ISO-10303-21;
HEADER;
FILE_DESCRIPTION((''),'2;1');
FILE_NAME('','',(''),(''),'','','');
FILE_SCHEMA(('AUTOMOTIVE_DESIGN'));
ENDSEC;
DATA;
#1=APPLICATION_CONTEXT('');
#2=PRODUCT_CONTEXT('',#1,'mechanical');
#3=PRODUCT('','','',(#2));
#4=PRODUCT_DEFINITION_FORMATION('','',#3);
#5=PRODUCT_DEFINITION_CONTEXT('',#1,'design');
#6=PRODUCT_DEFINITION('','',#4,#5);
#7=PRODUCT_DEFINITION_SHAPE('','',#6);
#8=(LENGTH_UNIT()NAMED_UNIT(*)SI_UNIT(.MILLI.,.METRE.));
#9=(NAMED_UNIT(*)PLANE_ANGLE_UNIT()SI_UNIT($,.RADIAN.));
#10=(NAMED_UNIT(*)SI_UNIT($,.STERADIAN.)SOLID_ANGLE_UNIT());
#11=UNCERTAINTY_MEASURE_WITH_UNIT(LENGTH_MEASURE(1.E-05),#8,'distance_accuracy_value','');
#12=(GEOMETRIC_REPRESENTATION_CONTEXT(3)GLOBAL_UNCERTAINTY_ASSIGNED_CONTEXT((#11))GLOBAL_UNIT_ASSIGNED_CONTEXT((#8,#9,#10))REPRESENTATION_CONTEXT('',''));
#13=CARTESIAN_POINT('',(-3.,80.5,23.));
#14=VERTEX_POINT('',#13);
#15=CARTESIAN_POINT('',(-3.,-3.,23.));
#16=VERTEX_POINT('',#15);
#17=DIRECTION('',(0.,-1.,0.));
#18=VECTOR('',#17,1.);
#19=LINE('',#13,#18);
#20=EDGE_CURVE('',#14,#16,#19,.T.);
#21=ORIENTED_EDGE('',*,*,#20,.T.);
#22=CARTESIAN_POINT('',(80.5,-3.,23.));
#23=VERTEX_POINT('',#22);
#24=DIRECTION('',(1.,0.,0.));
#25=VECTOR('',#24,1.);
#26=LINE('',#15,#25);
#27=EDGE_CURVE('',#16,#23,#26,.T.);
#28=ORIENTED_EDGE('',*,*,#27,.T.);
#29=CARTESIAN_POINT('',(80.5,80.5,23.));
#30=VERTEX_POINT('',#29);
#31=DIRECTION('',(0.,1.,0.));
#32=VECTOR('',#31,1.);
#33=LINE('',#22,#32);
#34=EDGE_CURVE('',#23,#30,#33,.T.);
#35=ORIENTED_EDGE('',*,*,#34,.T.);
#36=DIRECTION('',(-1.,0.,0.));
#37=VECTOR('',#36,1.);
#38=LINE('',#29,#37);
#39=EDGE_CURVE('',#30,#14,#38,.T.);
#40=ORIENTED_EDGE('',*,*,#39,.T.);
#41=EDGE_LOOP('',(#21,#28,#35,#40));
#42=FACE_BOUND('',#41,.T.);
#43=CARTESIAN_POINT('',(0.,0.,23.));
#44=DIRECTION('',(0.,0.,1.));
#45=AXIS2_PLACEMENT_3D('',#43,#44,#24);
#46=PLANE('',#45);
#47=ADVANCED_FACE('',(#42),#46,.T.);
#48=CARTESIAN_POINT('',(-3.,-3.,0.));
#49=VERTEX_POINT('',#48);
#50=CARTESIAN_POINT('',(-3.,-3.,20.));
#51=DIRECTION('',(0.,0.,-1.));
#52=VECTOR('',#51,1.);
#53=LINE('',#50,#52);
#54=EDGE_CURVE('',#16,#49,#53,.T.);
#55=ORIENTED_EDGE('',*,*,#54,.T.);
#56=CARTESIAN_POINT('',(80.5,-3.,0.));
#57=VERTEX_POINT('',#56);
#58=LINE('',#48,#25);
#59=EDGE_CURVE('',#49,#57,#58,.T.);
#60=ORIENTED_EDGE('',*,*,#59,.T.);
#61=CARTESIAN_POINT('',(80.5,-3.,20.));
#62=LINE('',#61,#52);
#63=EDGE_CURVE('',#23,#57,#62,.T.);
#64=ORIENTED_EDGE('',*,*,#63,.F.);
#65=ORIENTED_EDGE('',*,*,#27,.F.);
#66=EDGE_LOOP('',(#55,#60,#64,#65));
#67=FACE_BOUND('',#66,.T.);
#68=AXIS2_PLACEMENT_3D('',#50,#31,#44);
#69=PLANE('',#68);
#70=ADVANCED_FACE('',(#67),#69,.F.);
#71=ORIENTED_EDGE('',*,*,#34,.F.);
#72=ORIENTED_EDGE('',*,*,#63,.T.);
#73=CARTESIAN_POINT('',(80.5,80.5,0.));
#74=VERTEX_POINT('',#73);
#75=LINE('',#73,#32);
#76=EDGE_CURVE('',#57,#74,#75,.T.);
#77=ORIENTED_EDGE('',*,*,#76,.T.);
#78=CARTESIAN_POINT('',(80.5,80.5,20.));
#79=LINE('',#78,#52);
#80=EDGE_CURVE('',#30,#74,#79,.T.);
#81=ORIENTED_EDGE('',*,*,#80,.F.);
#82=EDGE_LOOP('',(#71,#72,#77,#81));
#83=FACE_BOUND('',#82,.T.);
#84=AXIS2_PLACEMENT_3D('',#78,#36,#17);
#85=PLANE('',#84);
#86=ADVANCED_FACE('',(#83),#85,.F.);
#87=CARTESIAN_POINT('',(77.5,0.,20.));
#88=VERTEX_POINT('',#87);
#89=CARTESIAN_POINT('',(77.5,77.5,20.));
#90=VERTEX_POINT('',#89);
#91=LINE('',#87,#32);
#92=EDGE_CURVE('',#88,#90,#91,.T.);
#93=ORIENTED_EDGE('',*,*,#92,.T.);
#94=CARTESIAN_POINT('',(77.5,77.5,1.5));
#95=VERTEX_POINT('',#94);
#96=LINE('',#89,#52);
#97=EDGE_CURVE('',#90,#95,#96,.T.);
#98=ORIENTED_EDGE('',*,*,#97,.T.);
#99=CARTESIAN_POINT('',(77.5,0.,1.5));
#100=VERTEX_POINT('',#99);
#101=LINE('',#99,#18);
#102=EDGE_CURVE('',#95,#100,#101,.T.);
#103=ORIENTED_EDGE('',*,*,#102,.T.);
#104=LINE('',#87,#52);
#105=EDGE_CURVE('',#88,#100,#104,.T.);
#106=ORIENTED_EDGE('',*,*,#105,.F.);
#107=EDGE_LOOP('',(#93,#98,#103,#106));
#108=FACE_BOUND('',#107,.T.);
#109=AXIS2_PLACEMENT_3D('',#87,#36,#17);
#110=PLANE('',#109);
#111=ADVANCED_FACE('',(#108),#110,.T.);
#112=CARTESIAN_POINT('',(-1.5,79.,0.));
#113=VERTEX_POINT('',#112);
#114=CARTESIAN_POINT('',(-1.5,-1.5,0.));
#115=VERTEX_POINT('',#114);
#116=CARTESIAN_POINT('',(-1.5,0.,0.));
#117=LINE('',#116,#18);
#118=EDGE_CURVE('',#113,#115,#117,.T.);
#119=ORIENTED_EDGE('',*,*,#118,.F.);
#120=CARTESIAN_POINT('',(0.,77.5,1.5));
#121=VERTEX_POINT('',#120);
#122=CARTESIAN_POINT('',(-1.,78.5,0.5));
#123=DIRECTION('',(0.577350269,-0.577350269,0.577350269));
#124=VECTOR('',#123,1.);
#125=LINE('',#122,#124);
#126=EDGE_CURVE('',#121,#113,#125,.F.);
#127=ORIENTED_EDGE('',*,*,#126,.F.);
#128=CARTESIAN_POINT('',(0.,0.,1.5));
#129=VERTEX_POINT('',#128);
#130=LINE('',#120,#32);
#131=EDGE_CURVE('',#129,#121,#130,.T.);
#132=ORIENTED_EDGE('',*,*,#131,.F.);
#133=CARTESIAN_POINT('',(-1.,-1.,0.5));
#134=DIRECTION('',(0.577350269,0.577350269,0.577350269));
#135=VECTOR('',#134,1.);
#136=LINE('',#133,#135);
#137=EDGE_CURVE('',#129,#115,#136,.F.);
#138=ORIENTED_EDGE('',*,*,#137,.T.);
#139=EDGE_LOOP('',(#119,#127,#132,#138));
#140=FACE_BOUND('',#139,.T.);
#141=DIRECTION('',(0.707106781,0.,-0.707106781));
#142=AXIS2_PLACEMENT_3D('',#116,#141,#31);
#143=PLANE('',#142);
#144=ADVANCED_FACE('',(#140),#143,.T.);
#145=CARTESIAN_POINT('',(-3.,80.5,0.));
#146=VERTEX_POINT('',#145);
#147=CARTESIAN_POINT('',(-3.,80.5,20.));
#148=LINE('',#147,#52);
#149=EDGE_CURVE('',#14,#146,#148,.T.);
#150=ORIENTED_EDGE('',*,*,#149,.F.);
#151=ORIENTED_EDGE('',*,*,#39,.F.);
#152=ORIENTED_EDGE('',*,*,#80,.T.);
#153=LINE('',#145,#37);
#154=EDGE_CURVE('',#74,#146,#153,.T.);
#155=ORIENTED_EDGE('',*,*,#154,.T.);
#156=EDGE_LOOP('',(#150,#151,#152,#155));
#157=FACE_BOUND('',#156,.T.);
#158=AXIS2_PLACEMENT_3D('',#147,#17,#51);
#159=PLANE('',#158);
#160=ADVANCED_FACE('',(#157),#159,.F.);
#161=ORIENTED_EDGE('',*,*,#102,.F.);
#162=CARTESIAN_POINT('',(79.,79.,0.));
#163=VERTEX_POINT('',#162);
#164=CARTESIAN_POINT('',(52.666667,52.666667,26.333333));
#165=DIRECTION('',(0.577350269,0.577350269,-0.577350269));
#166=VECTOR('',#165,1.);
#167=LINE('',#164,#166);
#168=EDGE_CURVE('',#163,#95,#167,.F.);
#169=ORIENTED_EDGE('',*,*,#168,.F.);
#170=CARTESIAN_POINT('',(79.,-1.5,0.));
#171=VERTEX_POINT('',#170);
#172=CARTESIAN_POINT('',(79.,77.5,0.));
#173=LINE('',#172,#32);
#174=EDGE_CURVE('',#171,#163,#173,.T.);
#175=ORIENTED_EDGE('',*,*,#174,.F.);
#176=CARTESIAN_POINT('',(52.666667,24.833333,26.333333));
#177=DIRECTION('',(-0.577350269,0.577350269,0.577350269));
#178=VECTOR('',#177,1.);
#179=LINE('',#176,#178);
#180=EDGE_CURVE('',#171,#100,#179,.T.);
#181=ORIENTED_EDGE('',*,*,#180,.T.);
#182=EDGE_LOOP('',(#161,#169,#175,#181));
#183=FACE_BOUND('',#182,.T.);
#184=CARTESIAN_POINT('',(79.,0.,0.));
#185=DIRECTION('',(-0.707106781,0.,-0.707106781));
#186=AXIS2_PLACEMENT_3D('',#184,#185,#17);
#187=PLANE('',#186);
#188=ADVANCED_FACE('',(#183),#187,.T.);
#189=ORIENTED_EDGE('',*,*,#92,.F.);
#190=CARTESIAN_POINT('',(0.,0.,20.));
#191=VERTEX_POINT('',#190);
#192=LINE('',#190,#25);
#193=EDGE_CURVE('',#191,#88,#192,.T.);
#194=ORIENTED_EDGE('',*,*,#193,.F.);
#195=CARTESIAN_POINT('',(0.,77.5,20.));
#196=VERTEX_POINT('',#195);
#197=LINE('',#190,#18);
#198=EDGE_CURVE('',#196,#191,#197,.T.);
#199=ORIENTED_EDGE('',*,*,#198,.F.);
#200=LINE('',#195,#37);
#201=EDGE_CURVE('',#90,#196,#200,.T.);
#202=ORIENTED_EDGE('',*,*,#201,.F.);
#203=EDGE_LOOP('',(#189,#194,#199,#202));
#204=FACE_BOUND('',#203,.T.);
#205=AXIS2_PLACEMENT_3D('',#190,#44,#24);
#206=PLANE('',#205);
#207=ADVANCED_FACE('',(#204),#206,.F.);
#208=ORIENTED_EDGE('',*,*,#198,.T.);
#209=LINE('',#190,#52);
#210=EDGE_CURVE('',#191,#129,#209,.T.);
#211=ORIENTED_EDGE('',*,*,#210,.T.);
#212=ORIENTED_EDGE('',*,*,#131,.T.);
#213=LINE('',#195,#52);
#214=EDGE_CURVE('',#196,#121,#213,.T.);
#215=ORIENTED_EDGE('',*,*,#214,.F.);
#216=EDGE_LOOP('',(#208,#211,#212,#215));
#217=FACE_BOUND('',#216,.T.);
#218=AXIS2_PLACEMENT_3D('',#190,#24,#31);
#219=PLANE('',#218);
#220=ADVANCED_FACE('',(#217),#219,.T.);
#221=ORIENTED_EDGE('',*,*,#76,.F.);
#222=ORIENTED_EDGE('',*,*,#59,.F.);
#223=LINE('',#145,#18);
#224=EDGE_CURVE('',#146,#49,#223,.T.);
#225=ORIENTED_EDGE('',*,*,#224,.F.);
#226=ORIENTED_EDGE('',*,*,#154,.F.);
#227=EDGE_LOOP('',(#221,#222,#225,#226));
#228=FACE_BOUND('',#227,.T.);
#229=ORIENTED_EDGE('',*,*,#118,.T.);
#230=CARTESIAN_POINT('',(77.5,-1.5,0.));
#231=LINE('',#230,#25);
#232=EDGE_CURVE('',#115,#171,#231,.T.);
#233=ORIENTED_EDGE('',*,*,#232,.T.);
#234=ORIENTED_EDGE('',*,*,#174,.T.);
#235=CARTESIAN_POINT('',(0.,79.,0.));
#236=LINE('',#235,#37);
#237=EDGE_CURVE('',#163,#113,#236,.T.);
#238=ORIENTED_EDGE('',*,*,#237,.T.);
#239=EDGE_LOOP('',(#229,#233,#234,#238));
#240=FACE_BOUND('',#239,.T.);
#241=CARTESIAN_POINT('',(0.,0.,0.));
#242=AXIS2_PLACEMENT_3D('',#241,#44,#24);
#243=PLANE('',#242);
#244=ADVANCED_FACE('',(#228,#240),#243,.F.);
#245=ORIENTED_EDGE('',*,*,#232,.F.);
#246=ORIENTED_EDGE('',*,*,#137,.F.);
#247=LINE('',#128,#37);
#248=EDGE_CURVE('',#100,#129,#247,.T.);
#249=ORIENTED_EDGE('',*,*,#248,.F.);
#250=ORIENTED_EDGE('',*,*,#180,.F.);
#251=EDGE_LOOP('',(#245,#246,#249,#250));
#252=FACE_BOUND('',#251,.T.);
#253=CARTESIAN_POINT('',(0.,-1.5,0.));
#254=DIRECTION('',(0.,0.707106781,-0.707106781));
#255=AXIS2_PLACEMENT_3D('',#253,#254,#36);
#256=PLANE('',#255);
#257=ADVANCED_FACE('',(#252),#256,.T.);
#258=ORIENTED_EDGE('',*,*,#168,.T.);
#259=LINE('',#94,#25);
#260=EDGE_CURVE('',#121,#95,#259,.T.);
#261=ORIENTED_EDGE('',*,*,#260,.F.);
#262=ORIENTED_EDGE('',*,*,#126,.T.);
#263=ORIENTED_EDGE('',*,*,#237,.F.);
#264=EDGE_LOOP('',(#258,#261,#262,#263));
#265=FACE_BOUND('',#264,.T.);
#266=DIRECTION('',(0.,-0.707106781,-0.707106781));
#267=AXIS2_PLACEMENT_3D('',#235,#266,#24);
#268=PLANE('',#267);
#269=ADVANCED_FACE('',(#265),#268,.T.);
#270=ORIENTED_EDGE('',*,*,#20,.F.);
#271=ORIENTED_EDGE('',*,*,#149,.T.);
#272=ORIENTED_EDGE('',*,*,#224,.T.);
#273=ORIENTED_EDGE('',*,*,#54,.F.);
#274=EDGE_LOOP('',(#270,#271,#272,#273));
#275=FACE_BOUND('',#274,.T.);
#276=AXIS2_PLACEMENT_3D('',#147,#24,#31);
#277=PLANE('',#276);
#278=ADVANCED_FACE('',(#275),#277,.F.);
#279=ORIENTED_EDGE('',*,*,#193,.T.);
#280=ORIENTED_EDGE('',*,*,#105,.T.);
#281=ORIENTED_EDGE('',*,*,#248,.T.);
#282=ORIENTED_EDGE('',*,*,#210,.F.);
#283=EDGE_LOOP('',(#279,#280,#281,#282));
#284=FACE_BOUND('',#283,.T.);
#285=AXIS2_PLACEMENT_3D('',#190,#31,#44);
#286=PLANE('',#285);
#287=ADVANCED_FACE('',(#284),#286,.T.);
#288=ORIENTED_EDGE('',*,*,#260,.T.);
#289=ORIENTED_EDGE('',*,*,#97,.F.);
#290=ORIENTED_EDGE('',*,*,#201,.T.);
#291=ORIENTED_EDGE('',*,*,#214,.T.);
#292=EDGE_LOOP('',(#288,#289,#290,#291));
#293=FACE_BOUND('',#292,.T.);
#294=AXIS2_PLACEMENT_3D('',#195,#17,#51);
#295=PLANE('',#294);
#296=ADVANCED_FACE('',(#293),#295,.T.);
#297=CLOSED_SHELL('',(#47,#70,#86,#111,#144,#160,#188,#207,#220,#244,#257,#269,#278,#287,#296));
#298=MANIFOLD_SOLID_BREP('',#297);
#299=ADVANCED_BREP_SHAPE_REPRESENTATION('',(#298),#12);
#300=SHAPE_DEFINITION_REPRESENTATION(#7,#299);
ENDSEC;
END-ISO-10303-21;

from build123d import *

# Parameters (mm, degrees)
SKETCH_1_W      = 83.5
SKETCH_1_H      = 83.5
SKETCH_1_W_2    = 77.5
SKETCH_1_H_2    = 77.5
EXTRUDE_1_DEPTH = 20
CHAMFER_1_SIZE  = 1.5
SKETCH_2_W      = 83.5
SKETCH_2_H      = 83.5
EXTRUDE_2_DEPTH = 3


with BuildPart() as part:
    # Эскиз1 → Бобышка-Вытянуть1 (new body)
    with BuildSketch(Plane.XY):
        with Locations((38.75, 38.75)):
            Rectangle(SKETCH_1_W, SKETCH_1_H)
        with Locations((38.75, 38.75)):
            Rectangle(SKETCH_1_W_2, SKETCH_1_H_2, mode=Mode.SUBTRACT)
    extrude(amount=EXTRUDE_1_DEPTH)

    # Фаска1
    chamfer_1_edges = [part.edges().sort_by_distance(p)[0] for p in [
        (0, 38.75, 0),
        (38.75, 0, 0),
        (77.5, 38.75, 0),
        (38.75, 77.5, 0),
    ]]
    chamfer(chamfer_1_edges, length=CHAMFER_1_SIZE)

    # Эскиз2 → Бобышка-Вытянуть2 (add)
    with BuildSketch(Plane.XY.offset(20)):
        with Locations((38.75, 38.75)):
            Rectangle(SKETCH_2_W, SKETCH_2_H)
    extrude(amount=EXTRUDE_2_DEPTH)


solid = part.part
